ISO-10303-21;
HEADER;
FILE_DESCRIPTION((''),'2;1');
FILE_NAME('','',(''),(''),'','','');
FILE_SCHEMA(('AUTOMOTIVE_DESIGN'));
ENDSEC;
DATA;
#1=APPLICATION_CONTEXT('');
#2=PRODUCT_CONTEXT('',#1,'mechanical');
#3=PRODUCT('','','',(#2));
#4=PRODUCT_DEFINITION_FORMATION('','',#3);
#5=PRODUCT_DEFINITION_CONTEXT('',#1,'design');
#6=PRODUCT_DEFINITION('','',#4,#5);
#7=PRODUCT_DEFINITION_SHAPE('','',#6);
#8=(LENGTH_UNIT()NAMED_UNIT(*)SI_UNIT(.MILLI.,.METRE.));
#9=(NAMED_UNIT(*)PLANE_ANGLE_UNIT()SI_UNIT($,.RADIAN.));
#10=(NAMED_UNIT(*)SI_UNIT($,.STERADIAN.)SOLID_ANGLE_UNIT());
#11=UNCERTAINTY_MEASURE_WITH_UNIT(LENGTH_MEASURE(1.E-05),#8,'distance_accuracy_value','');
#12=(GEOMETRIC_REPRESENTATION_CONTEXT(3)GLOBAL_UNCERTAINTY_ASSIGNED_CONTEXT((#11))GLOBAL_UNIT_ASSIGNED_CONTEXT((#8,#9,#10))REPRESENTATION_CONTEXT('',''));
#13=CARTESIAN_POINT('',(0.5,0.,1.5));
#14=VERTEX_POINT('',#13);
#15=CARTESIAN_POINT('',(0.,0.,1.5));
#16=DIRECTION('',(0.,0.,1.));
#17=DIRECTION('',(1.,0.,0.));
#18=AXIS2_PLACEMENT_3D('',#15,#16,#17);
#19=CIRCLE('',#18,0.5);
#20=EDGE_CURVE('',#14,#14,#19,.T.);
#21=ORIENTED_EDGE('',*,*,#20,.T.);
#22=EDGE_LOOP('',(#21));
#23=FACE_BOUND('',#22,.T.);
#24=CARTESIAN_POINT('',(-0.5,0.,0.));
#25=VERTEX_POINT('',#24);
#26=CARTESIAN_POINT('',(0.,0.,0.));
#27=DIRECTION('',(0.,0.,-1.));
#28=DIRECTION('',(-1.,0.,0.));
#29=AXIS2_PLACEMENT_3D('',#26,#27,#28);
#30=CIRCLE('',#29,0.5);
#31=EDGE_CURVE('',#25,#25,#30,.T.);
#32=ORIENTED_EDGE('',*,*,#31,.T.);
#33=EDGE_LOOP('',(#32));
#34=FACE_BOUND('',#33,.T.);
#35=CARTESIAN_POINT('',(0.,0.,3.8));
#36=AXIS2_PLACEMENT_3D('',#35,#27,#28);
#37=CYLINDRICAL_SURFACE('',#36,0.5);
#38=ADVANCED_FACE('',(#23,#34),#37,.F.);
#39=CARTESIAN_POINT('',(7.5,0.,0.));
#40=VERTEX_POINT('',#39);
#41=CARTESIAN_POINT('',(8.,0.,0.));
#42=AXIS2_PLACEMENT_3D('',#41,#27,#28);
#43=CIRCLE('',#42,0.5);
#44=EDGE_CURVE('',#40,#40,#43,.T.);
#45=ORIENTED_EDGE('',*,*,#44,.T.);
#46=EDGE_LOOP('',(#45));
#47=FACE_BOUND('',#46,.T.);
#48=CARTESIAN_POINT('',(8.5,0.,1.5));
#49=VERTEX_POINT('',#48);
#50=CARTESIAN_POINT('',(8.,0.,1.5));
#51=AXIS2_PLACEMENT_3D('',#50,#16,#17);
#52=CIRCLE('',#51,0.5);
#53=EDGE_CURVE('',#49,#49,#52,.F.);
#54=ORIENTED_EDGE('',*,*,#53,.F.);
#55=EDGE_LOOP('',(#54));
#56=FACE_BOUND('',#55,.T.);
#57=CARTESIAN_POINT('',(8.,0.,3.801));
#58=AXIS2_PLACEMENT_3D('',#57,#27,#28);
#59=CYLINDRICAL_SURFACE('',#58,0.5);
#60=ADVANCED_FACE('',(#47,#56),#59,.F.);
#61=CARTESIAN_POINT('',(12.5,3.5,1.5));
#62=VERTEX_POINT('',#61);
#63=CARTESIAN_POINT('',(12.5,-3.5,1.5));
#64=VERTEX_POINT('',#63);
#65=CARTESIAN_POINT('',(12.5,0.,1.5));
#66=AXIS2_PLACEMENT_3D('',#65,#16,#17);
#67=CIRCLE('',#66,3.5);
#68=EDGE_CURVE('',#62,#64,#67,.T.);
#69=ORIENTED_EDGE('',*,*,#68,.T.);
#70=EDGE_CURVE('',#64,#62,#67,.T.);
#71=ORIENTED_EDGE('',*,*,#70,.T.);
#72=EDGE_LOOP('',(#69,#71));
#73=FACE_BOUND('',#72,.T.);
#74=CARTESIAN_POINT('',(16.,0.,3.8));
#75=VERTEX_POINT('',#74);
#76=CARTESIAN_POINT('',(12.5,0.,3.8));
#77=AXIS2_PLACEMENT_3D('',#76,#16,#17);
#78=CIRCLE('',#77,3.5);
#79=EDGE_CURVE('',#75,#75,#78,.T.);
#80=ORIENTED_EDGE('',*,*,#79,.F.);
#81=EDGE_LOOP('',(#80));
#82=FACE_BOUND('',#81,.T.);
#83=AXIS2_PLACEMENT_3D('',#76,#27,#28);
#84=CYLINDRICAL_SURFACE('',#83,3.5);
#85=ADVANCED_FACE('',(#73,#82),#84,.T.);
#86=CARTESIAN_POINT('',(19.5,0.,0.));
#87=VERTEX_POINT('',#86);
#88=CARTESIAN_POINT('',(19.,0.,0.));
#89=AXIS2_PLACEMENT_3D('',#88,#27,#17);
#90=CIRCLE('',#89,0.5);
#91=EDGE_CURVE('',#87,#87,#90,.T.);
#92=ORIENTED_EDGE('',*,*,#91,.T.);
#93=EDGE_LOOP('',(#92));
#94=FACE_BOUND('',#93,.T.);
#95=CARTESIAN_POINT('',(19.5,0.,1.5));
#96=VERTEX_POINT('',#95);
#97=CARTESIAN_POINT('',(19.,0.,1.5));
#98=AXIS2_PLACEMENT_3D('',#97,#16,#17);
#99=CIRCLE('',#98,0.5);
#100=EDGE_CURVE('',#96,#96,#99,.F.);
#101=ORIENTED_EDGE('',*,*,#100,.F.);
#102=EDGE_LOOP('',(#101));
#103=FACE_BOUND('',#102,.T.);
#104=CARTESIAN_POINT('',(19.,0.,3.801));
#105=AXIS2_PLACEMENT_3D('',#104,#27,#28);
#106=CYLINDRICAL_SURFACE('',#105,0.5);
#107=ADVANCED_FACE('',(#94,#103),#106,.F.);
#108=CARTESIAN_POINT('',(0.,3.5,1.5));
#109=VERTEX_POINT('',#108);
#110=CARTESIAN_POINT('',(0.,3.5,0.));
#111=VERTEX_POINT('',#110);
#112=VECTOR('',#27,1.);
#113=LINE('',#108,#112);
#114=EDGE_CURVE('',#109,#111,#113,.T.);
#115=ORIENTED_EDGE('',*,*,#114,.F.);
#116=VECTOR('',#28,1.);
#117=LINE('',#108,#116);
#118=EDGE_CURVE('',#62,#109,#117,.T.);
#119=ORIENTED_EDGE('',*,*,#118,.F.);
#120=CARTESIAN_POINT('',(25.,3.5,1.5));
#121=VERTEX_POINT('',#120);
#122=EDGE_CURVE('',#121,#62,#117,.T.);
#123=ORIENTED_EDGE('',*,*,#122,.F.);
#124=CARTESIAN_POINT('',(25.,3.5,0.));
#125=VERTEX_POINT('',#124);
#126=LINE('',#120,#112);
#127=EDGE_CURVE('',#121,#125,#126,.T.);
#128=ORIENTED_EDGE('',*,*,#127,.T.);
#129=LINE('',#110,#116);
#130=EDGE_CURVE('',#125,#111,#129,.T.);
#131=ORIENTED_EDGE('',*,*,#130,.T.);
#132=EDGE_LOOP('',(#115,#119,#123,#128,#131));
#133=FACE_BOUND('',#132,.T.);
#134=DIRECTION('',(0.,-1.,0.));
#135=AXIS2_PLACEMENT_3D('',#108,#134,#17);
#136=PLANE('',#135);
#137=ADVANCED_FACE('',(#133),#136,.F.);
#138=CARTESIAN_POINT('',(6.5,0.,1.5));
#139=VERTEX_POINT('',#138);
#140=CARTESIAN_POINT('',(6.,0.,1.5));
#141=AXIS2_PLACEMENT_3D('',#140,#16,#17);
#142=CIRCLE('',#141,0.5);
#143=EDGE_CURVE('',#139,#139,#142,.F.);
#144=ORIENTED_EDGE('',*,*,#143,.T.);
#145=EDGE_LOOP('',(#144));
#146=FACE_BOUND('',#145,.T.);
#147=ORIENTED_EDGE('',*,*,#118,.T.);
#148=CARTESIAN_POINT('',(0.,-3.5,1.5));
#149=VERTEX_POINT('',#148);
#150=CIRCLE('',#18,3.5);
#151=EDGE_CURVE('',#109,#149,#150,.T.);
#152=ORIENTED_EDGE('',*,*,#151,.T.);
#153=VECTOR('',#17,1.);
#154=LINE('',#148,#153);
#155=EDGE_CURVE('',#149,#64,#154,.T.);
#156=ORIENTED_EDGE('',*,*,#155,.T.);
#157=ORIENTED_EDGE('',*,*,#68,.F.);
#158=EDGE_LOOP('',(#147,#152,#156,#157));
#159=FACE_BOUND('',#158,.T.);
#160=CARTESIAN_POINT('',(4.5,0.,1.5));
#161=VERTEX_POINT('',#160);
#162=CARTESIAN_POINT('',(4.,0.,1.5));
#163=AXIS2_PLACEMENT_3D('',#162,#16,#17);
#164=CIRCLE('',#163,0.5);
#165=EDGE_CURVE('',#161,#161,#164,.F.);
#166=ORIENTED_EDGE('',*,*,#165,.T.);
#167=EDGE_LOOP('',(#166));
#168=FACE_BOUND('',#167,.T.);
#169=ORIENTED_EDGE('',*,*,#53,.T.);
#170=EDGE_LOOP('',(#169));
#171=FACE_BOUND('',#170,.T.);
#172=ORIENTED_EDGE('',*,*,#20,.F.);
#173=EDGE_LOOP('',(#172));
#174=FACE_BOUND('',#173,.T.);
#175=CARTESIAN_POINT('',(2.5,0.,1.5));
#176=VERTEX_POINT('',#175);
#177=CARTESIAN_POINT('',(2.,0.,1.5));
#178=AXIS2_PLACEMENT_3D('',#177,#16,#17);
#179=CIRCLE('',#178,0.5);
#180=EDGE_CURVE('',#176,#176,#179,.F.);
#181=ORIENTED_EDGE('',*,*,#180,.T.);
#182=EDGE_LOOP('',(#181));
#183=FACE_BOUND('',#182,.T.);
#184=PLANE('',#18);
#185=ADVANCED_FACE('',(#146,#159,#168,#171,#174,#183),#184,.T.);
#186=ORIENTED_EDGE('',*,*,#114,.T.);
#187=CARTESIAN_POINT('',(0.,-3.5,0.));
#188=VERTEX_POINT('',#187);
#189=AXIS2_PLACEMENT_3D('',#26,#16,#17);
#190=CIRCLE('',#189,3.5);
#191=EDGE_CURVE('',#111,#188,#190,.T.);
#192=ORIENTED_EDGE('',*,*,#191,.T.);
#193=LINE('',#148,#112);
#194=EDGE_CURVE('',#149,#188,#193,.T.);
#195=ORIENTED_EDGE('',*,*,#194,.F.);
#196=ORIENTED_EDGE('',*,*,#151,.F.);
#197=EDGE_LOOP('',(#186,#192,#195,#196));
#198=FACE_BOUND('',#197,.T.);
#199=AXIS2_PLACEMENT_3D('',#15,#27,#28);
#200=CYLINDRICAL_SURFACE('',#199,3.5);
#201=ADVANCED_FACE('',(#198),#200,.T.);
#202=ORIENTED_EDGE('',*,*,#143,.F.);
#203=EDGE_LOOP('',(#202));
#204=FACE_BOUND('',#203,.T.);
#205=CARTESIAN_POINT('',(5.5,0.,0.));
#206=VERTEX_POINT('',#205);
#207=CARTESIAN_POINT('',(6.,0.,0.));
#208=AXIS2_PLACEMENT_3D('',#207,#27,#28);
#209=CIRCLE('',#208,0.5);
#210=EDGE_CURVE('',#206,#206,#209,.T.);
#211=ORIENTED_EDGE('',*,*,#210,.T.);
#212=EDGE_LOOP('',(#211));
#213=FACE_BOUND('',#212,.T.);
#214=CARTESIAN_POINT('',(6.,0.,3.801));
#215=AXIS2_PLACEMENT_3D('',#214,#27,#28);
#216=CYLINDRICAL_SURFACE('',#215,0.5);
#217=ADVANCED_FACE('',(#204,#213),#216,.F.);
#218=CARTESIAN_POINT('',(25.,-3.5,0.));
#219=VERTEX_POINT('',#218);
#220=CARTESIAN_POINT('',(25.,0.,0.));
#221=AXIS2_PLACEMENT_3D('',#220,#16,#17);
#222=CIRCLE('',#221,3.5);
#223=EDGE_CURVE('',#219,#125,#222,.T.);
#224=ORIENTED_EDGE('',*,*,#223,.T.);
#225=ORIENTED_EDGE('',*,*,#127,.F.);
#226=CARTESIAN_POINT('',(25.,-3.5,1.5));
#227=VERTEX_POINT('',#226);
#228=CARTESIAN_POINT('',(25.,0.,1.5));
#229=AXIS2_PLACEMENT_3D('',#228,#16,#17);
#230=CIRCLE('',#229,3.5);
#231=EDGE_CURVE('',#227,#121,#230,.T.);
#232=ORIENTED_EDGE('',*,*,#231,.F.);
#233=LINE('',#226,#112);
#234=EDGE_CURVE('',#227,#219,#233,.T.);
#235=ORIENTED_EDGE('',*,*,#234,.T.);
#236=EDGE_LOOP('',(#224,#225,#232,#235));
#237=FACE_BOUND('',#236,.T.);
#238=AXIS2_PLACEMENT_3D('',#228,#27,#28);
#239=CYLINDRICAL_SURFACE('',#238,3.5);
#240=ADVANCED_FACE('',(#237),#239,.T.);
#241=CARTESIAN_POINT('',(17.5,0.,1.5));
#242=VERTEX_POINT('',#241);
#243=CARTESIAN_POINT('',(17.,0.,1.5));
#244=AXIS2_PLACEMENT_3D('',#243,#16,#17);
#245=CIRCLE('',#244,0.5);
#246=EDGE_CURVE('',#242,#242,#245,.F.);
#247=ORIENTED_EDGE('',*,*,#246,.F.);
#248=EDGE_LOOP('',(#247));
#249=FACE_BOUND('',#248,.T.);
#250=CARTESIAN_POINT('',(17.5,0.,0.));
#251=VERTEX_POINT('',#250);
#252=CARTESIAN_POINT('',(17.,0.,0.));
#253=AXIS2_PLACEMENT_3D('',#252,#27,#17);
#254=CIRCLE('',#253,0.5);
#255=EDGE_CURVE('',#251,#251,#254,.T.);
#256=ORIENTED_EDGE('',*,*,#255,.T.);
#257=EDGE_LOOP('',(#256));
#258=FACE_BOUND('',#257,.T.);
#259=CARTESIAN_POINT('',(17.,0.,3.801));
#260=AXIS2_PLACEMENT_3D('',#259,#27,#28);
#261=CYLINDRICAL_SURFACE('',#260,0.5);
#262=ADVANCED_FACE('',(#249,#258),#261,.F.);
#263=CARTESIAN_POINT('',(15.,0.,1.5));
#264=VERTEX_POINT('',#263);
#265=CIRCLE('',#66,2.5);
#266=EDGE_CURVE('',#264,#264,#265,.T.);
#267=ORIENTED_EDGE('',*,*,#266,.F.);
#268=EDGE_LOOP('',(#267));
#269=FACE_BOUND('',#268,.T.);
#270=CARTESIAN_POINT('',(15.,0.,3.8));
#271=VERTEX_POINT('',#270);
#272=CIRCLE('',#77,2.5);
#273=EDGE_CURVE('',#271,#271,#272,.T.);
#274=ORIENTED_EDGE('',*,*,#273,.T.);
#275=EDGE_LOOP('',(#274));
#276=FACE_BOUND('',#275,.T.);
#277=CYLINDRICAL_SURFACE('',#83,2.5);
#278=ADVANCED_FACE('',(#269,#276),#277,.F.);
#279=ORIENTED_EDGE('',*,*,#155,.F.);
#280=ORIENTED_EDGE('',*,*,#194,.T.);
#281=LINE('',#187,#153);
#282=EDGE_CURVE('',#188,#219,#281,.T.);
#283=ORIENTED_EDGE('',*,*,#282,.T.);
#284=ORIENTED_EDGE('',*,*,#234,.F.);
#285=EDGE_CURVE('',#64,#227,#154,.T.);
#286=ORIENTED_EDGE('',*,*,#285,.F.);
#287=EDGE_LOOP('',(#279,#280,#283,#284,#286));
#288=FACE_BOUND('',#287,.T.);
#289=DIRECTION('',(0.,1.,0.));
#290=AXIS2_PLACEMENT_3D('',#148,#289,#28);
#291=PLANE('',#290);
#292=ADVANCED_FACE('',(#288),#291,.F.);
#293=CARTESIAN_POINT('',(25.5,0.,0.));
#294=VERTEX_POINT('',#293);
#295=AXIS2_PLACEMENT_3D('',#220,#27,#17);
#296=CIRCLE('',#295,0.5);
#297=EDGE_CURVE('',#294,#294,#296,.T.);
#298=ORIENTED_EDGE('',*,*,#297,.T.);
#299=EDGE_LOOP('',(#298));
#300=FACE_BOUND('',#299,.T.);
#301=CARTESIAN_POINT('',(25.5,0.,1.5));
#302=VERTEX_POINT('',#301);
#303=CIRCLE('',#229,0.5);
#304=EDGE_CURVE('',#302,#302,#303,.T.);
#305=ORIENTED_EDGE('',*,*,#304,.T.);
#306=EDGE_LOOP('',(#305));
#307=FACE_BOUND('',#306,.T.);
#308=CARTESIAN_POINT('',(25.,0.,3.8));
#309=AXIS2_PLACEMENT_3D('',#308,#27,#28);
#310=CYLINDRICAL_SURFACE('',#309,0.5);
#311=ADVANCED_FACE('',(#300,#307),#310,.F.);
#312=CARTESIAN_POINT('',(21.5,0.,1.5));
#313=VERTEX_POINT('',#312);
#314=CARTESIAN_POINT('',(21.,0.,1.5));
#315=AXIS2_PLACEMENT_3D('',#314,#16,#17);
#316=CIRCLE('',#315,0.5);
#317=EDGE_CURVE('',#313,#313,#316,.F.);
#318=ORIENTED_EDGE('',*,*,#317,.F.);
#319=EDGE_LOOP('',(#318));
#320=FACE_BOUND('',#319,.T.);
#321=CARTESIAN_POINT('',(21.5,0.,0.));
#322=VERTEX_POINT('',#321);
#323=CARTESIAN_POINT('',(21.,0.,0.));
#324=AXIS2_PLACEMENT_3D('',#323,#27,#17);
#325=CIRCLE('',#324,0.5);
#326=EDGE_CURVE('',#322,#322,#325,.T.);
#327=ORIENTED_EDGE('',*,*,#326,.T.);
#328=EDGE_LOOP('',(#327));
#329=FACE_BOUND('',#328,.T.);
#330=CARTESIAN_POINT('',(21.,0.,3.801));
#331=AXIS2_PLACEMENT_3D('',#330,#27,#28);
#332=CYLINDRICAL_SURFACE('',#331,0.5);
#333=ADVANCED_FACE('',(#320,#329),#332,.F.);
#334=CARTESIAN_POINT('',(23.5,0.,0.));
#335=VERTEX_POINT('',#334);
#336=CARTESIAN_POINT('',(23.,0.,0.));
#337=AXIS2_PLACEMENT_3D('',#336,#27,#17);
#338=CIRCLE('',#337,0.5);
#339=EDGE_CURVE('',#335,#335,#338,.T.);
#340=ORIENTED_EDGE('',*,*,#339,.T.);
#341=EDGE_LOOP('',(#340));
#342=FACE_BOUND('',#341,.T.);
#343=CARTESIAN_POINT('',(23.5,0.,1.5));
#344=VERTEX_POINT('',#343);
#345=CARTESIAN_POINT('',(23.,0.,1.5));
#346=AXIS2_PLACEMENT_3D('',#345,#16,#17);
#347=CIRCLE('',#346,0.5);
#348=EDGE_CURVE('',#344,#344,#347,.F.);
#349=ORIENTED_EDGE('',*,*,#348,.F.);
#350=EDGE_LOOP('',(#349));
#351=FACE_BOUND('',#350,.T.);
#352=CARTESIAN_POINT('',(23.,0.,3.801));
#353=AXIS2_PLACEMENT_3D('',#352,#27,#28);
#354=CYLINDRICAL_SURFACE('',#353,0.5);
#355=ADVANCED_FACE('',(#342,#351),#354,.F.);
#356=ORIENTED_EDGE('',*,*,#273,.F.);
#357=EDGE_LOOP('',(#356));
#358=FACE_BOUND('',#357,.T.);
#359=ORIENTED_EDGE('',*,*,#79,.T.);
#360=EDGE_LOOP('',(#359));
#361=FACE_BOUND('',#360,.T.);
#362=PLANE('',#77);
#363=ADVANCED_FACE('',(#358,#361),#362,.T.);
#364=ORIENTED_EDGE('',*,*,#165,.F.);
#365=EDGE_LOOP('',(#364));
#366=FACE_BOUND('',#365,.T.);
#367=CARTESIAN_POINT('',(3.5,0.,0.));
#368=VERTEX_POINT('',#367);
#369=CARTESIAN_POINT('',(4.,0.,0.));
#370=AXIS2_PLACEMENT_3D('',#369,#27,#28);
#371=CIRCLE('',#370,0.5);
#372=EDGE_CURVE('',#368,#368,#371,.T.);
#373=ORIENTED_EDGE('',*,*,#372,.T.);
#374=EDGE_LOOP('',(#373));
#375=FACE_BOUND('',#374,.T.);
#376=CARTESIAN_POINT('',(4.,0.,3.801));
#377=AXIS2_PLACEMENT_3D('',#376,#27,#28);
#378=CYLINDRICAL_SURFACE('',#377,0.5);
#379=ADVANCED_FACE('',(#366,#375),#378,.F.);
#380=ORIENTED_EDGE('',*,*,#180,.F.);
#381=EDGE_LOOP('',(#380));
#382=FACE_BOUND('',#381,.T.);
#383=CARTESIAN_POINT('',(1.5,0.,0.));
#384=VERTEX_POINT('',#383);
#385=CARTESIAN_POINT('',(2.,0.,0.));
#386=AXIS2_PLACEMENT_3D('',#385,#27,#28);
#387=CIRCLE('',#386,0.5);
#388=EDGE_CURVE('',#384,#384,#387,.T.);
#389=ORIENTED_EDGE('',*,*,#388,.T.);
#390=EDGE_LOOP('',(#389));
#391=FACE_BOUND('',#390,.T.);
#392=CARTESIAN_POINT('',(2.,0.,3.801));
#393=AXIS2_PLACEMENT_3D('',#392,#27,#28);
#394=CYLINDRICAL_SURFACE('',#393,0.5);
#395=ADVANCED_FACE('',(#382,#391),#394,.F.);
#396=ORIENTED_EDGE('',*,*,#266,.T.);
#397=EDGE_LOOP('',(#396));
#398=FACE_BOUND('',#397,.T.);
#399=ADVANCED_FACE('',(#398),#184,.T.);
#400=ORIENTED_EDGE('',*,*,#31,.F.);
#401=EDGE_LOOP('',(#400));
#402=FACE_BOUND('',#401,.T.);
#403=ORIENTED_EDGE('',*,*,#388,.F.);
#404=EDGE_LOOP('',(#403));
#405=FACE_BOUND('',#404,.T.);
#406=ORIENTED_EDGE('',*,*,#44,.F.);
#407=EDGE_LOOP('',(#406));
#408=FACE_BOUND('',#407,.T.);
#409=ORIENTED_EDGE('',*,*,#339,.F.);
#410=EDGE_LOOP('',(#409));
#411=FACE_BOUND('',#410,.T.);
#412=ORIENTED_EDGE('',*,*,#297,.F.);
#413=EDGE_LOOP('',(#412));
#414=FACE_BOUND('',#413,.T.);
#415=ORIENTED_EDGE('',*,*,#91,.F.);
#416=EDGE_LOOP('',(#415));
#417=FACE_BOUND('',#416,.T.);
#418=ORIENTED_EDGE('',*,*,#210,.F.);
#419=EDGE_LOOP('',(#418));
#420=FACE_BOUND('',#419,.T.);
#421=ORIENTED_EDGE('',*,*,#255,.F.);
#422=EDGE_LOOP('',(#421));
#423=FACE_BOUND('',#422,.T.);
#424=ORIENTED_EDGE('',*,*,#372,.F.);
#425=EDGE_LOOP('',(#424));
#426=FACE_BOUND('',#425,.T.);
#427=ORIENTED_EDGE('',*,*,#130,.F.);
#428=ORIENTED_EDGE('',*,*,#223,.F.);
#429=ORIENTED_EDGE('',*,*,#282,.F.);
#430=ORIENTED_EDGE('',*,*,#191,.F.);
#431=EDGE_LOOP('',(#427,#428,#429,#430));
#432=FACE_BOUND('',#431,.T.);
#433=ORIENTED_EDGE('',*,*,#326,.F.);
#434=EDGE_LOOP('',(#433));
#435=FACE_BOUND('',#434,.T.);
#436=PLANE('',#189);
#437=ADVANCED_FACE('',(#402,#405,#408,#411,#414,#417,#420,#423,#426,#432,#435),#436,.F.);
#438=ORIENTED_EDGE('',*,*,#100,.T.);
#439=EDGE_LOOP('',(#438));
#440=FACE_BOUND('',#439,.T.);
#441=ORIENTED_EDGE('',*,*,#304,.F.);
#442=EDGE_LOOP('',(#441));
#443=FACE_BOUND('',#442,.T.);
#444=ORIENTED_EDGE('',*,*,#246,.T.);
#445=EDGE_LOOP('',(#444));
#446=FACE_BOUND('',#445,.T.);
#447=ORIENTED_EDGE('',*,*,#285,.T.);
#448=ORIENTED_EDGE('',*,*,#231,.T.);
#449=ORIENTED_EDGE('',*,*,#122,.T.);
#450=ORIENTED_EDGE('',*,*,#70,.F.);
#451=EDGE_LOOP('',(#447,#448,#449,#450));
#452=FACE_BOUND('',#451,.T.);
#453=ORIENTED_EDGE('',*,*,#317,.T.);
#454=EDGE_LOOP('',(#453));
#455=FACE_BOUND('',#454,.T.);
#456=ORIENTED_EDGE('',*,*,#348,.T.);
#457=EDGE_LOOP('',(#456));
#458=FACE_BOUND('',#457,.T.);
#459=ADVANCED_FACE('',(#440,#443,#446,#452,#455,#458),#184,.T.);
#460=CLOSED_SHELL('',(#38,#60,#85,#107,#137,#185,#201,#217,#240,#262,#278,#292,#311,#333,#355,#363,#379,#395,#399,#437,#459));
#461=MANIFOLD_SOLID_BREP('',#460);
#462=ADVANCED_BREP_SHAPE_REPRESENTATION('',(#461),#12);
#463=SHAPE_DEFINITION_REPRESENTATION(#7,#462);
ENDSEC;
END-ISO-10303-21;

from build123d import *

# Parameters (mm, degrees)
SALIENTE_EXTRUIR1_DEPTH = 1.5
CROQUIS2_R              = 3.5
CROQUIS2_R_2            = 2.5
SALIENTE_EXTRUIR2_DEPTH = 2.3
CROQUIS4_R              = 0.5
CORTAR_EXTRUIR1_DEPTH   = 29.964460982
CORTAR_EXTRUIR2_REACH   = 30.964
CROQUIS5_R              = 0.5


with BuildPart() as part:
    # Croquis1 → Saliente-Extruir1 (new body)
    with BuildSketch(Plane.XY):
        with BuildLine():
            Line((0, 3.5), (25, 3.5))
            ThreePointArc((25, 3.5), (28.5, 0), (25, -3.5))
            Line((25, -3.5), (0, -3.5))
            ThreePointArc((0, -3.5), (-3.5, 0), (0, 3.5))
        make_face()
    extrude(amount=SALIENTE_EXTRUIR1_DEPTH)

    # Croquis2 → Saliente-Extruir2 (add)
    with BuildSketch(Plane.XY.offset(1.5)):
        with Locations(Location((12.5, 0, 0), (0, 0, 270))):
            Circle(CROQUIS2_R)
        with Locations((12.5, 0)):
            Circle(CROQUIS2_R_2, mode=Mode.SUBTRACT)
    extrude(amount=SALIENTE_EXTRUIR2_DEPTH)

    # Croquis4 → Cortar-Extruir1 (cut, through all)
    with BuildSketch(Plane(origin=(0, 0, 0), x_dir=(-1, 0, 0), z_dir=(0, 0, -1))):
        Circle(CROQUIS4_R)
        with Locations(Location((-25, 0, 0), (0, 0, 180))):
            Circle(CROQUIS4_R)
    extrude(amount=-CORTAR_EXTRUIR1_DEPTH, mode=Mode.SUBTRACT)

    # Croquis5 → Cortar-Extruir2 (cut, up to next)
    with BuildSketch(Plane(origin=(0, 0, 0), x_dir=(-1, 0, 0), z_dir=(0, 0, -1)), mode=Mode.PRIVATE) as cortar_extruir2_sk1:
        with Locations((-8, 0)):
            Circle(CROQUIS5_R)
    cortar_extruir2_tool1 = extrude(cortar_extruir2_sk1.sketch, amount=-CORTAR_EXTRUIR2_REACH, mode=Mode.PRIVATE) & part.part
    # Croquis5 → Cortar-Extruir2 (cut, up to next)
    with BuildSketch(Plane(origin=(0, 0, 0), x_dir=(-1, 0, 0), z_dir=(0, 0, -1)), mode=Mode.PRIVATE) as cortar_extruir2_sk2:
        with Locations((-6, 0)):
            Circle(CROQUIS5_R)
    cortar_extruir2_tool2 = extrude(cortar_extruir2_sk2.sketch, amount=-CORTAR_EXTRUIR2_REACH, mode=Mode.PRIVATE) & part.part
    # Croquis5 → Cortar-Extruir2 (cut, up to next)
    with BuildSketch(Plane(origin=(0, 0, 0), x_dir=(-1, 0, 0), z_dir=(0, 0, -1)), mode=Mode.PRIVATE) as cortar_extruir2_sk3:
        with Locations((-4, 0)):
            Circle(CROQUIS5_R)
    cortar_extruir2_tool3 = extrude(cortar_extruir2_sk3.sketch, amount=-CORTAR_EXTRUIR2_REACH, mode=Mode.PRIVATE) & part.part
    # Croquis5 → Cortar-Extruir2 (cut, up to next)
    with BuildSketch(Plane(origin=(0, 0, 0), x_dir=(-1, 0, 0), z_dir=(0, 0, -1)), mode=Mode.PRIVATE) as cortar_extruir2_sk4:
        with Locations((-2, 0)):
            Circle(CROQUIS5_R)
    cortar_extruir2_tool4 = extrude(cortar_extruir2_sk4.sketch, amount=-CORTAR_EXTRUIR2_REACH, mode=Mode.PRIVATE) & part.part
    # Croquis5 → Cortar-Extruir2 (cut, up to next)
    with BuildSketch(Plane(origin=(0, 0, 0), x_dir=(-1, 0, 0), z_dir=(0, 0, -1)), mode=Mode.PRIVATE) as cortar_extruir2_sk5:
        with Locations(Location((-23, 0, 0), (0, 0, 180))):
            Circle(CROQUIS5_R)
    cortar_extruir2_tool5 = extrude(cortar_extruir2_sk5.sketch, amount=-CORTAR_EXTRUIR2_REACH, mode=Mode.PRIVATE) & part.part
    # Croquis5 → Cortar-Extruir2 (cut, up to next)
    with BuildSketch(Plane(origin=(0, 0, 0), x_dir=(-1, 0, 0), z_dir=(0, 0, -1)), mode=Mode.PRIVATE) as cortar_extruir2_sk6:
        with Locations(Location((-21, 0, 0), (0, 0, 180))):
            Circle(CROQUIS5_R)
    cortar_extruir2_tool6 = extrude(cortar_extruir2_sk6.sketch, amount=-CORTAR_EXTRUIR2_REACH, mode=Mode.PRIVATE) & part.part
    # Croquis5 → Cortar-Extruir2 (cut, up to next)
    with BuildSketch(Plane(origin=(0, 0, 0), x_dir=(-1, 0, 0), z_dir=(0, 0, -1)), mode=Mode.PRIVATE) as cortar_extruir2_sk7:
        with Locations(Location((-19, 0, 0), (0, 0, 180))):
            Circle(CROQUIS5_R)
    cortar_extruir2_tool7 = extrude(cortar_extruir2_sk7.sketch, amount=-CORTAR_EXTRUIR2_REACH, mode=Mode.PRIVATE) & part.part
    # Croquis5 → Cortar-Extruir2 (cut, up to next)
    with BuildSketch(Plane(origin=(0, 0, 0), x_dir=(-1, 0, 0), z_dir=(0, 0, -1)), mode=Mode.PRIVATE) as cortar_extruir2_sk8:
        with Locations(Location((-17, 0, 0), (0, 0, 180))):
            Circle(CROQUIS5_R)
    cortar_extruir2_tool8 = extrude(cortar_extruir2_sk8.sketch, amount=-CORTAR_EXTRUIR2_REACH, mode=Mode.PRIVATE) & part.part
    add(cortar_extruir2_tool1.solids().sort_by_distance((8, 0, 0))[0], mode=Mode.SUBTRACT)
    add(cortar_extruir2_tool2.solids().sort_by_distance((6, 0, 0))[0], mode=Mode.SUBTRACT)
    add(cortar_extruir2_tool3.solids().sort_by_distance((4, 0, 0))[0], mode=Mode.SUBTRACT)
    add(cortar_extruir2_tool4.solids().sort_by_distance((2, 0, 0))[0], mode=Mode.SUBTRACT)
    add(cortar_extruir2_tool5.solids().sort_by_distance((23, 0, 0))[0], mode=Mode.SUBTRACT)
    add(cortar_extruir2_tool6.solids().sort_by_distance((21, 0, 0))[0], mode=Mode.SUBTRACT)
    add(cortar_extruir2_tool7.solids().sort_by_distance((19, 0, 0))[0], mode=Mode.SUBTRACT)
    add(cortar_extruir2_tool8.solids().sort_by_distance((17, 0, 0))[0], mode=Mode.SUBTRACT)


solid = part.part
